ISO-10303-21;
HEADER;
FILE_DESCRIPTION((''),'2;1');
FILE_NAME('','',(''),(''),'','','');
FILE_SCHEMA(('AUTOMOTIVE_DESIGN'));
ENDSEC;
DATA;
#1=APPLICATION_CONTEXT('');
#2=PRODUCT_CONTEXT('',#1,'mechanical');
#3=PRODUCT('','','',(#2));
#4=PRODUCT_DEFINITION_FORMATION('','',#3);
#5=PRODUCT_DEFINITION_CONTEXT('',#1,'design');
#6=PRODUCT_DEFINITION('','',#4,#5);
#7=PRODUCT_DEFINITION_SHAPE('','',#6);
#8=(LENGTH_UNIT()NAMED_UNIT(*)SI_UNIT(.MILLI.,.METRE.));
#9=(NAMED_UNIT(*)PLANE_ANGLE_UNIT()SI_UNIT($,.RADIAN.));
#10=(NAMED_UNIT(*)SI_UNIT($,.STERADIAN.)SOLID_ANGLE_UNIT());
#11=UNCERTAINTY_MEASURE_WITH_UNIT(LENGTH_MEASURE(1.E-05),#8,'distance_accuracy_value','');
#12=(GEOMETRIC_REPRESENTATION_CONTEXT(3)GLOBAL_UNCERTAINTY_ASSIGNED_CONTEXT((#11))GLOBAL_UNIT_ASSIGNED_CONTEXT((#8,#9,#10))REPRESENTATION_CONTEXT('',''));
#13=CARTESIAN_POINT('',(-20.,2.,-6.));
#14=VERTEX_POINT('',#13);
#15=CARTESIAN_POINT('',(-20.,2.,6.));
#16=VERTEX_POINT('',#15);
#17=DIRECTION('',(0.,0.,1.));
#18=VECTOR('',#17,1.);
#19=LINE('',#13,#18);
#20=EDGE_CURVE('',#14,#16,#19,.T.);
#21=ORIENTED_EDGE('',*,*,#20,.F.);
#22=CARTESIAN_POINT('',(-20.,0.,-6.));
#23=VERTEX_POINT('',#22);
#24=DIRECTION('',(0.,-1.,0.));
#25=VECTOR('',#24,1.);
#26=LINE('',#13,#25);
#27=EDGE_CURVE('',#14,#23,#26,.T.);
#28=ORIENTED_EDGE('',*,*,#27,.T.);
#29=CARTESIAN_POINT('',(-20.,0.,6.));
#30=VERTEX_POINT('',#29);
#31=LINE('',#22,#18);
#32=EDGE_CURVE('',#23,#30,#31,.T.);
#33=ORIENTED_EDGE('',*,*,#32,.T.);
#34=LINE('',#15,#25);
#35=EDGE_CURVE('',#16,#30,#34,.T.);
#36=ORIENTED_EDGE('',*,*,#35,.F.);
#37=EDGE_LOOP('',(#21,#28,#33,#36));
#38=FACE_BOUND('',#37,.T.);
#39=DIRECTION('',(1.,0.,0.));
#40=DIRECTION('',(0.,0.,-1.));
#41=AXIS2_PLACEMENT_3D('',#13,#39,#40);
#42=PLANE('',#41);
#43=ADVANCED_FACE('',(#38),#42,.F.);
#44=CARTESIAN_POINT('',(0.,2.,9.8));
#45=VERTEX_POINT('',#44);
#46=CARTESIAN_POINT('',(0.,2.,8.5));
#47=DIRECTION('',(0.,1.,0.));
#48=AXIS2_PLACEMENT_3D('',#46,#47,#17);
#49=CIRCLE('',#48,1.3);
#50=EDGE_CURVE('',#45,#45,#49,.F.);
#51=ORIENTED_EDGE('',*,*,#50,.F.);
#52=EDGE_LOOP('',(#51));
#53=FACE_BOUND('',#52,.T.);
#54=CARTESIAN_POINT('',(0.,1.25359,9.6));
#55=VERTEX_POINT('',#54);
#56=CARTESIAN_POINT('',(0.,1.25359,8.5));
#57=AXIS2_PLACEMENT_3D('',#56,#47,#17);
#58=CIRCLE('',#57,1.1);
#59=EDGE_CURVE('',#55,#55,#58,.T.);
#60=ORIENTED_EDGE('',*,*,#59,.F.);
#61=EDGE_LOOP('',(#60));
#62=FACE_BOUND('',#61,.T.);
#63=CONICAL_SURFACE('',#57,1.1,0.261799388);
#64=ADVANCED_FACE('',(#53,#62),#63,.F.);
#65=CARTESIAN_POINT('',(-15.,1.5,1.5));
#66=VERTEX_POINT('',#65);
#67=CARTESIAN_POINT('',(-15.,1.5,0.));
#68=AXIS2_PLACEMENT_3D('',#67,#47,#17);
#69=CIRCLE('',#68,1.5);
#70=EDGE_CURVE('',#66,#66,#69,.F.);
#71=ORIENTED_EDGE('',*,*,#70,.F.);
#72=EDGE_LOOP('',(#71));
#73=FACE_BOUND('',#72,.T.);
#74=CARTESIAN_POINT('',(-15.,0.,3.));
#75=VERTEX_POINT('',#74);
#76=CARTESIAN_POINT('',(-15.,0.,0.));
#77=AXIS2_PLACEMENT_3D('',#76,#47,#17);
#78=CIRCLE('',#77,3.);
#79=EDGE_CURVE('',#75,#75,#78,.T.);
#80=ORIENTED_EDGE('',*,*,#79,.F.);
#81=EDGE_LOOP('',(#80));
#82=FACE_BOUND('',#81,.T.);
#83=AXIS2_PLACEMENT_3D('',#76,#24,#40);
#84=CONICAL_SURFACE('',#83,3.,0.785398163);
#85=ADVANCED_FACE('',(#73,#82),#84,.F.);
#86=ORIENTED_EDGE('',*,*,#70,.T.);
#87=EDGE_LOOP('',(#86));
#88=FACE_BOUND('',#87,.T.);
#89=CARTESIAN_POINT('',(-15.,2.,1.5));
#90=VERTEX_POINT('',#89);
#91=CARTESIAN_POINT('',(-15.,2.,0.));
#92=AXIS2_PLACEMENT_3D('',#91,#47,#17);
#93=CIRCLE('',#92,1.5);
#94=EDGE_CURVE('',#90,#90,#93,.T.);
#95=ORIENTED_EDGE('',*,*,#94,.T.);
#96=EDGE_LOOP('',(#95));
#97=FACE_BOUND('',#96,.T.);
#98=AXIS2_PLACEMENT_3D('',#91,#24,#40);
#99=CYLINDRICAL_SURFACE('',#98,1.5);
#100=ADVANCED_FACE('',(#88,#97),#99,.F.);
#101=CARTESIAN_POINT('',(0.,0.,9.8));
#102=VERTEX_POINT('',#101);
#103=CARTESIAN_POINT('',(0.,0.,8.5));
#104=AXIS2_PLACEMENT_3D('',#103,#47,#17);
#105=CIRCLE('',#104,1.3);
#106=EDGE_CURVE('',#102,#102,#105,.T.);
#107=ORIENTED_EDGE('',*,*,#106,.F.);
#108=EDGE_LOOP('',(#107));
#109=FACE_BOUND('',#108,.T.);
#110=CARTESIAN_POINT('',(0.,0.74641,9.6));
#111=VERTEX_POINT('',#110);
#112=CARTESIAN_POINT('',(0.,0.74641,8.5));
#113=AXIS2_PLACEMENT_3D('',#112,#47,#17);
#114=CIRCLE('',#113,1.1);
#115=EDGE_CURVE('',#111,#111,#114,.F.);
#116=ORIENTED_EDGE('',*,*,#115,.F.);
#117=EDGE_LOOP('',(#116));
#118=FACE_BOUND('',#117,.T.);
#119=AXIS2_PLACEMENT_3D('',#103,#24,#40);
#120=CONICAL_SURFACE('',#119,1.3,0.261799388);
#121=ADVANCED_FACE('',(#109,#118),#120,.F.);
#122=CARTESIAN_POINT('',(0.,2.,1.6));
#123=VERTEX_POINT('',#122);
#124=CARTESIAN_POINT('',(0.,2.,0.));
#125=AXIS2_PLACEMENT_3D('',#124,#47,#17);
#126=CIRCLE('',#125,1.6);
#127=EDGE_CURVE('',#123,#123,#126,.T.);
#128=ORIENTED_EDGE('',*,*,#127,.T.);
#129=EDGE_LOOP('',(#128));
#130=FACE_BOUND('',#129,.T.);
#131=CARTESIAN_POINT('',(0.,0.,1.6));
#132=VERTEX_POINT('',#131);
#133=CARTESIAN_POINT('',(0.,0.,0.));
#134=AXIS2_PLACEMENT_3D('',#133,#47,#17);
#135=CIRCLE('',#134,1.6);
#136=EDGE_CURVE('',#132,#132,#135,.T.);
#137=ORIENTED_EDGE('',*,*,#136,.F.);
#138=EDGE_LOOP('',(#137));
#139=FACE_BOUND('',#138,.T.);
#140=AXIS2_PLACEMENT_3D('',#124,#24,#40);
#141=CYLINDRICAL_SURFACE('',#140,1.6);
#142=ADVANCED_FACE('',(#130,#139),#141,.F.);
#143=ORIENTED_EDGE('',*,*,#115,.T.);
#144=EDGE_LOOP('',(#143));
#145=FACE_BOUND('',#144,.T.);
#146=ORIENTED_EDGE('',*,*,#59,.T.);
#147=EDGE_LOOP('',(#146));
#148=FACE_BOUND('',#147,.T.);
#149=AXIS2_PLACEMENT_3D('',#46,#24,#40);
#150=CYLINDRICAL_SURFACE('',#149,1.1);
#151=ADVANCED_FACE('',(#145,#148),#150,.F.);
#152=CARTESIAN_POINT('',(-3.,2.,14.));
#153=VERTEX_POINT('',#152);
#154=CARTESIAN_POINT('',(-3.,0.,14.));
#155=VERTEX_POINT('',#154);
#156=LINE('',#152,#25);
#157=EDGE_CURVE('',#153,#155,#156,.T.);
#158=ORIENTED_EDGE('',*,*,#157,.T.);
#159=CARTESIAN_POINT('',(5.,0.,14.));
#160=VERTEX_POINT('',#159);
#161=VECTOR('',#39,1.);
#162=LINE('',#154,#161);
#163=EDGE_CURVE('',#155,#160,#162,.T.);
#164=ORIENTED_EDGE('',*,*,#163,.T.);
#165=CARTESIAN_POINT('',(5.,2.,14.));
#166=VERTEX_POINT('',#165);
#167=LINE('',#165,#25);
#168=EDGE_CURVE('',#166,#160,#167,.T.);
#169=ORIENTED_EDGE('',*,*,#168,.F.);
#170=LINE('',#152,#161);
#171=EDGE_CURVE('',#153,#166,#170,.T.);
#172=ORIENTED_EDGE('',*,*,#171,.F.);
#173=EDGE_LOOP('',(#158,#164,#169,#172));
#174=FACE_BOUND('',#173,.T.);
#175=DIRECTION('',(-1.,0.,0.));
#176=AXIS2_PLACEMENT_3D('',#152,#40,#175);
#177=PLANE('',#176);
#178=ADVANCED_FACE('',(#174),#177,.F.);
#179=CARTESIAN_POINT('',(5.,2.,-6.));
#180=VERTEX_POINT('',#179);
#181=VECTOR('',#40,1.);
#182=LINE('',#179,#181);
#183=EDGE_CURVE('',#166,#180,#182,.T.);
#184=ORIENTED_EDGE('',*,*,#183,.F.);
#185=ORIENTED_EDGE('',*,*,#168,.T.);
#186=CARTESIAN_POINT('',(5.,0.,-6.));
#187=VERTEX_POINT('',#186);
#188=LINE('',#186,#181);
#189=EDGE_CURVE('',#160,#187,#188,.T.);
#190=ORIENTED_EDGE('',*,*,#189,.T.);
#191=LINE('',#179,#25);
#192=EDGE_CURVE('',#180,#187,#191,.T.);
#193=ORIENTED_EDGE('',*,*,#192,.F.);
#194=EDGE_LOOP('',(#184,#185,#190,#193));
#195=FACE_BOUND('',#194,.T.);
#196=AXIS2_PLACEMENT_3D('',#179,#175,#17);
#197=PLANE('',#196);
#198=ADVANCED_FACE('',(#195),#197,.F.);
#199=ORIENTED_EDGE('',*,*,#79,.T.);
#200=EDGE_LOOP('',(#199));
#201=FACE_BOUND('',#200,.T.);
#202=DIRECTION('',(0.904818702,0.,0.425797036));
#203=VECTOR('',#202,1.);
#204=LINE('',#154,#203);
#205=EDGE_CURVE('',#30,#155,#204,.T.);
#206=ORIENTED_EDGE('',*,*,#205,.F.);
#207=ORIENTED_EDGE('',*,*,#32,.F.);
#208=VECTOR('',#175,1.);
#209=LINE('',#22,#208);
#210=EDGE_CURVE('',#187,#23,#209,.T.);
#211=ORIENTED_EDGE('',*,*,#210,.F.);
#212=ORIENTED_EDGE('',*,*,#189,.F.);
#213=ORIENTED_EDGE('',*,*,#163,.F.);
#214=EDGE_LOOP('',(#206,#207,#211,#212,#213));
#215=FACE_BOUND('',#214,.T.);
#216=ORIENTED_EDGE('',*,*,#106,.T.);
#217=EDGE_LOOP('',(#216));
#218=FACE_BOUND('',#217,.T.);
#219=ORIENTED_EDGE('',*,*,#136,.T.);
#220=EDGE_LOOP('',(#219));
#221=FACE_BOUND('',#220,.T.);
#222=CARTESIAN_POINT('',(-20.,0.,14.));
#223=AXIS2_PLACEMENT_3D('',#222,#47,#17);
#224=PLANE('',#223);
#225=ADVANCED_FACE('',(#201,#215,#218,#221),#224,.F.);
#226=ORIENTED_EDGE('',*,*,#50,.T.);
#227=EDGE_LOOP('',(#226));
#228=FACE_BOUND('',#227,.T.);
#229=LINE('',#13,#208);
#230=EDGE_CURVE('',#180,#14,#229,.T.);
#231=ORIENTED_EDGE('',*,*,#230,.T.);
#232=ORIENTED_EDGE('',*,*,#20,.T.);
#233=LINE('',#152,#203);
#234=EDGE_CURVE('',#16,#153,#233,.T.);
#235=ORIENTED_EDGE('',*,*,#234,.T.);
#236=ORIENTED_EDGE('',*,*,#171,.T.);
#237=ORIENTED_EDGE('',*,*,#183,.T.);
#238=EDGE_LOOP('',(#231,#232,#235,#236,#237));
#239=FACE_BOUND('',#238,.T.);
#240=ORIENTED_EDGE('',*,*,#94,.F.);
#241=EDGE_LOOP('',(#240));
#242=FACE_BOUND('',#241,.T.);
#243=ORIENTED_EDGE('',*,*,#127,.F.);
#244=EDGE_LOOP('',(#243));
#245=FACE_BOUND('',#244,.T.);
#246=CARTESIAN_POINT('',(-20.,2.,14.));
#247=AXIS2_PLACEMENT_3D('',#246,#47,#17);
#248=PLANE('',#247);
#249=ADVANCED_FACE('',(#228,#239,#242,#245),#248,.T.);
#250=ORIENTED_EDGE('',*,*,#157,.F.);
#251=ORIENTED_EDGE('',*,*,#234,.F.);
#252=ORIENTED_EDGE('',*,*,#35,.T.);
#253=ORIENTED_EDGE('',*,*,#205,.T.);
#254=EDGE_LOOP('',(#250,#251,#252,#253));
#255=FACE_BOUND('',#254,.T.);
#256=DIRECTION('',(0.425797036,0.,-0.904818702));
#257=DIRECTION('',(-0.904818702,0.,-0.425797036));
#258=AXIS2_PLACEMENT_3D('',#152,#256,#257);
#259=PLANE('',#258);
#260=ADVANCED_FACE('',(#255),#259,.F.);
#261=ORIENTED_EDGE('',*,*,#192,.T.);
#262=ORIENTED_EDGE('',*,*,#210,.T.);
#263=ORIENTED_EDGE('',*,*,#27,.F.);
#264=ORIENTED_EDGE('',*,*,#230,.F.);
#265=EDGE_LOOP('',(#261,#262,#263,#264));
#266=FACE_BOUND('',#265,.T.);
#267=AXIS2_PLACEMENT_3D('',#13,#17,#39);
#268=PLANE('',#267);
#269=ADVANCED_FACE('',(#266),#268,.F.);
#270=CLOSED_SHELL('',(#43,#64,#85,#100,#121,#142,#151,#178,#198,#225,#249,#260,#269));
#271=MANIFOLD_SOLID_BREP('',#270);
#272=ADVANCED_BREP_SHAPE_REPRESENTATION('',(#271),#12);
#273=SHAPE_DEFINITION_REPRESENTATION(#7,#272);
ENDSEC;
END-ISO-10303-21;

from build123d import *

# Parameters (mm, degrees)
SKETCH1_R             = 1.6
SKETCH1_R_2           = 1.5
SKETCH1_R_3           = 1.1
EXTRUDE1_DEPTH        = 2
CHAMFER1_SIZE         = 1.5
CHAMFER2_SIZE         = 0.2
CHAMFER2_SIZE2        = 0.746410162
CHAMFER2_PART_2_SIZE  = 0.2
CHAMFER2_PART_2_SIZE2 = 0.746410162


with BuildPart() as part:
    # Sketch1 → Extrude1 (new body)
    with BuildSketch(Plane(origin=(0, 0, 0), x_dir=(1, 0, 0), z_dir=(0, 1, 0))):
        Polygon((-20, 6), (5, 6), (5, -14), (-3, -14), (-20, -6), align=None)
        with Locations(Location((0, 0, 0), (0, 0, 270))):  # turned: the seam where the file's is
            Circle(SKETCH1_R, mode=Mode.SUBTRACT)
        with Locations(Location((-15, 0, 0), (0, 0, 270))):  # turned: the seam where the file's is
            Circle(SKETCH1_R_2, mode=Mode.SUBTRACT)
        with Locations(Location((0, -8.5, 0), (0, 0, 270))):  # turned: the seam where the file's is
            Circle(SKETCH1_R_3, mode=Mode.SUBTRACT)
    extrude(amount=EXTRUDE1_DEPTH)

    # Chamfer1
    chamfer1_edges = [part.edges().sort_by_distance(p)[0] for p in [
        (-15, 0, -1.5),
    ]]
    chamfer(chamfer1_edges, length=CHAMFER1_SIZE)

    # Chamfer2
    chamfer2_edges = [part.edges().sort_by_distance(p)[0] for p in [
        (0, 0, 7.4),
    ]]
    chamfer2_side = [part.faces().sort_by_distance(p)[0] for p in [
        (-5.999814113, 0, 3.054548244),
    ]]
    chamfer(chamfer2_edges, length=CHAMFER2_SIZE, length2=CHAMFER2_SIZE2, reference=chamfer2_side[0])

    # Chamfer2 part 2
    chamfer2_part_2_edges = [part.edges().sort_by_distance(p)[0] for p in [
        (0, 2, 7.4),
    ]]
    chamfer2_part_2_side = [part.faces().sort_by_distance(p)[0] for p in [
        (-6.46183643, 2, 2.897743765),
    ]]
    chamfer(chamfer2_part_2_edges, length=CHAMFER2_PART_2_SIZE, length2=CHAMFER2_PART_2_SIZE2, reference=chamfer2_part_2_side[0])


solid = part.part
